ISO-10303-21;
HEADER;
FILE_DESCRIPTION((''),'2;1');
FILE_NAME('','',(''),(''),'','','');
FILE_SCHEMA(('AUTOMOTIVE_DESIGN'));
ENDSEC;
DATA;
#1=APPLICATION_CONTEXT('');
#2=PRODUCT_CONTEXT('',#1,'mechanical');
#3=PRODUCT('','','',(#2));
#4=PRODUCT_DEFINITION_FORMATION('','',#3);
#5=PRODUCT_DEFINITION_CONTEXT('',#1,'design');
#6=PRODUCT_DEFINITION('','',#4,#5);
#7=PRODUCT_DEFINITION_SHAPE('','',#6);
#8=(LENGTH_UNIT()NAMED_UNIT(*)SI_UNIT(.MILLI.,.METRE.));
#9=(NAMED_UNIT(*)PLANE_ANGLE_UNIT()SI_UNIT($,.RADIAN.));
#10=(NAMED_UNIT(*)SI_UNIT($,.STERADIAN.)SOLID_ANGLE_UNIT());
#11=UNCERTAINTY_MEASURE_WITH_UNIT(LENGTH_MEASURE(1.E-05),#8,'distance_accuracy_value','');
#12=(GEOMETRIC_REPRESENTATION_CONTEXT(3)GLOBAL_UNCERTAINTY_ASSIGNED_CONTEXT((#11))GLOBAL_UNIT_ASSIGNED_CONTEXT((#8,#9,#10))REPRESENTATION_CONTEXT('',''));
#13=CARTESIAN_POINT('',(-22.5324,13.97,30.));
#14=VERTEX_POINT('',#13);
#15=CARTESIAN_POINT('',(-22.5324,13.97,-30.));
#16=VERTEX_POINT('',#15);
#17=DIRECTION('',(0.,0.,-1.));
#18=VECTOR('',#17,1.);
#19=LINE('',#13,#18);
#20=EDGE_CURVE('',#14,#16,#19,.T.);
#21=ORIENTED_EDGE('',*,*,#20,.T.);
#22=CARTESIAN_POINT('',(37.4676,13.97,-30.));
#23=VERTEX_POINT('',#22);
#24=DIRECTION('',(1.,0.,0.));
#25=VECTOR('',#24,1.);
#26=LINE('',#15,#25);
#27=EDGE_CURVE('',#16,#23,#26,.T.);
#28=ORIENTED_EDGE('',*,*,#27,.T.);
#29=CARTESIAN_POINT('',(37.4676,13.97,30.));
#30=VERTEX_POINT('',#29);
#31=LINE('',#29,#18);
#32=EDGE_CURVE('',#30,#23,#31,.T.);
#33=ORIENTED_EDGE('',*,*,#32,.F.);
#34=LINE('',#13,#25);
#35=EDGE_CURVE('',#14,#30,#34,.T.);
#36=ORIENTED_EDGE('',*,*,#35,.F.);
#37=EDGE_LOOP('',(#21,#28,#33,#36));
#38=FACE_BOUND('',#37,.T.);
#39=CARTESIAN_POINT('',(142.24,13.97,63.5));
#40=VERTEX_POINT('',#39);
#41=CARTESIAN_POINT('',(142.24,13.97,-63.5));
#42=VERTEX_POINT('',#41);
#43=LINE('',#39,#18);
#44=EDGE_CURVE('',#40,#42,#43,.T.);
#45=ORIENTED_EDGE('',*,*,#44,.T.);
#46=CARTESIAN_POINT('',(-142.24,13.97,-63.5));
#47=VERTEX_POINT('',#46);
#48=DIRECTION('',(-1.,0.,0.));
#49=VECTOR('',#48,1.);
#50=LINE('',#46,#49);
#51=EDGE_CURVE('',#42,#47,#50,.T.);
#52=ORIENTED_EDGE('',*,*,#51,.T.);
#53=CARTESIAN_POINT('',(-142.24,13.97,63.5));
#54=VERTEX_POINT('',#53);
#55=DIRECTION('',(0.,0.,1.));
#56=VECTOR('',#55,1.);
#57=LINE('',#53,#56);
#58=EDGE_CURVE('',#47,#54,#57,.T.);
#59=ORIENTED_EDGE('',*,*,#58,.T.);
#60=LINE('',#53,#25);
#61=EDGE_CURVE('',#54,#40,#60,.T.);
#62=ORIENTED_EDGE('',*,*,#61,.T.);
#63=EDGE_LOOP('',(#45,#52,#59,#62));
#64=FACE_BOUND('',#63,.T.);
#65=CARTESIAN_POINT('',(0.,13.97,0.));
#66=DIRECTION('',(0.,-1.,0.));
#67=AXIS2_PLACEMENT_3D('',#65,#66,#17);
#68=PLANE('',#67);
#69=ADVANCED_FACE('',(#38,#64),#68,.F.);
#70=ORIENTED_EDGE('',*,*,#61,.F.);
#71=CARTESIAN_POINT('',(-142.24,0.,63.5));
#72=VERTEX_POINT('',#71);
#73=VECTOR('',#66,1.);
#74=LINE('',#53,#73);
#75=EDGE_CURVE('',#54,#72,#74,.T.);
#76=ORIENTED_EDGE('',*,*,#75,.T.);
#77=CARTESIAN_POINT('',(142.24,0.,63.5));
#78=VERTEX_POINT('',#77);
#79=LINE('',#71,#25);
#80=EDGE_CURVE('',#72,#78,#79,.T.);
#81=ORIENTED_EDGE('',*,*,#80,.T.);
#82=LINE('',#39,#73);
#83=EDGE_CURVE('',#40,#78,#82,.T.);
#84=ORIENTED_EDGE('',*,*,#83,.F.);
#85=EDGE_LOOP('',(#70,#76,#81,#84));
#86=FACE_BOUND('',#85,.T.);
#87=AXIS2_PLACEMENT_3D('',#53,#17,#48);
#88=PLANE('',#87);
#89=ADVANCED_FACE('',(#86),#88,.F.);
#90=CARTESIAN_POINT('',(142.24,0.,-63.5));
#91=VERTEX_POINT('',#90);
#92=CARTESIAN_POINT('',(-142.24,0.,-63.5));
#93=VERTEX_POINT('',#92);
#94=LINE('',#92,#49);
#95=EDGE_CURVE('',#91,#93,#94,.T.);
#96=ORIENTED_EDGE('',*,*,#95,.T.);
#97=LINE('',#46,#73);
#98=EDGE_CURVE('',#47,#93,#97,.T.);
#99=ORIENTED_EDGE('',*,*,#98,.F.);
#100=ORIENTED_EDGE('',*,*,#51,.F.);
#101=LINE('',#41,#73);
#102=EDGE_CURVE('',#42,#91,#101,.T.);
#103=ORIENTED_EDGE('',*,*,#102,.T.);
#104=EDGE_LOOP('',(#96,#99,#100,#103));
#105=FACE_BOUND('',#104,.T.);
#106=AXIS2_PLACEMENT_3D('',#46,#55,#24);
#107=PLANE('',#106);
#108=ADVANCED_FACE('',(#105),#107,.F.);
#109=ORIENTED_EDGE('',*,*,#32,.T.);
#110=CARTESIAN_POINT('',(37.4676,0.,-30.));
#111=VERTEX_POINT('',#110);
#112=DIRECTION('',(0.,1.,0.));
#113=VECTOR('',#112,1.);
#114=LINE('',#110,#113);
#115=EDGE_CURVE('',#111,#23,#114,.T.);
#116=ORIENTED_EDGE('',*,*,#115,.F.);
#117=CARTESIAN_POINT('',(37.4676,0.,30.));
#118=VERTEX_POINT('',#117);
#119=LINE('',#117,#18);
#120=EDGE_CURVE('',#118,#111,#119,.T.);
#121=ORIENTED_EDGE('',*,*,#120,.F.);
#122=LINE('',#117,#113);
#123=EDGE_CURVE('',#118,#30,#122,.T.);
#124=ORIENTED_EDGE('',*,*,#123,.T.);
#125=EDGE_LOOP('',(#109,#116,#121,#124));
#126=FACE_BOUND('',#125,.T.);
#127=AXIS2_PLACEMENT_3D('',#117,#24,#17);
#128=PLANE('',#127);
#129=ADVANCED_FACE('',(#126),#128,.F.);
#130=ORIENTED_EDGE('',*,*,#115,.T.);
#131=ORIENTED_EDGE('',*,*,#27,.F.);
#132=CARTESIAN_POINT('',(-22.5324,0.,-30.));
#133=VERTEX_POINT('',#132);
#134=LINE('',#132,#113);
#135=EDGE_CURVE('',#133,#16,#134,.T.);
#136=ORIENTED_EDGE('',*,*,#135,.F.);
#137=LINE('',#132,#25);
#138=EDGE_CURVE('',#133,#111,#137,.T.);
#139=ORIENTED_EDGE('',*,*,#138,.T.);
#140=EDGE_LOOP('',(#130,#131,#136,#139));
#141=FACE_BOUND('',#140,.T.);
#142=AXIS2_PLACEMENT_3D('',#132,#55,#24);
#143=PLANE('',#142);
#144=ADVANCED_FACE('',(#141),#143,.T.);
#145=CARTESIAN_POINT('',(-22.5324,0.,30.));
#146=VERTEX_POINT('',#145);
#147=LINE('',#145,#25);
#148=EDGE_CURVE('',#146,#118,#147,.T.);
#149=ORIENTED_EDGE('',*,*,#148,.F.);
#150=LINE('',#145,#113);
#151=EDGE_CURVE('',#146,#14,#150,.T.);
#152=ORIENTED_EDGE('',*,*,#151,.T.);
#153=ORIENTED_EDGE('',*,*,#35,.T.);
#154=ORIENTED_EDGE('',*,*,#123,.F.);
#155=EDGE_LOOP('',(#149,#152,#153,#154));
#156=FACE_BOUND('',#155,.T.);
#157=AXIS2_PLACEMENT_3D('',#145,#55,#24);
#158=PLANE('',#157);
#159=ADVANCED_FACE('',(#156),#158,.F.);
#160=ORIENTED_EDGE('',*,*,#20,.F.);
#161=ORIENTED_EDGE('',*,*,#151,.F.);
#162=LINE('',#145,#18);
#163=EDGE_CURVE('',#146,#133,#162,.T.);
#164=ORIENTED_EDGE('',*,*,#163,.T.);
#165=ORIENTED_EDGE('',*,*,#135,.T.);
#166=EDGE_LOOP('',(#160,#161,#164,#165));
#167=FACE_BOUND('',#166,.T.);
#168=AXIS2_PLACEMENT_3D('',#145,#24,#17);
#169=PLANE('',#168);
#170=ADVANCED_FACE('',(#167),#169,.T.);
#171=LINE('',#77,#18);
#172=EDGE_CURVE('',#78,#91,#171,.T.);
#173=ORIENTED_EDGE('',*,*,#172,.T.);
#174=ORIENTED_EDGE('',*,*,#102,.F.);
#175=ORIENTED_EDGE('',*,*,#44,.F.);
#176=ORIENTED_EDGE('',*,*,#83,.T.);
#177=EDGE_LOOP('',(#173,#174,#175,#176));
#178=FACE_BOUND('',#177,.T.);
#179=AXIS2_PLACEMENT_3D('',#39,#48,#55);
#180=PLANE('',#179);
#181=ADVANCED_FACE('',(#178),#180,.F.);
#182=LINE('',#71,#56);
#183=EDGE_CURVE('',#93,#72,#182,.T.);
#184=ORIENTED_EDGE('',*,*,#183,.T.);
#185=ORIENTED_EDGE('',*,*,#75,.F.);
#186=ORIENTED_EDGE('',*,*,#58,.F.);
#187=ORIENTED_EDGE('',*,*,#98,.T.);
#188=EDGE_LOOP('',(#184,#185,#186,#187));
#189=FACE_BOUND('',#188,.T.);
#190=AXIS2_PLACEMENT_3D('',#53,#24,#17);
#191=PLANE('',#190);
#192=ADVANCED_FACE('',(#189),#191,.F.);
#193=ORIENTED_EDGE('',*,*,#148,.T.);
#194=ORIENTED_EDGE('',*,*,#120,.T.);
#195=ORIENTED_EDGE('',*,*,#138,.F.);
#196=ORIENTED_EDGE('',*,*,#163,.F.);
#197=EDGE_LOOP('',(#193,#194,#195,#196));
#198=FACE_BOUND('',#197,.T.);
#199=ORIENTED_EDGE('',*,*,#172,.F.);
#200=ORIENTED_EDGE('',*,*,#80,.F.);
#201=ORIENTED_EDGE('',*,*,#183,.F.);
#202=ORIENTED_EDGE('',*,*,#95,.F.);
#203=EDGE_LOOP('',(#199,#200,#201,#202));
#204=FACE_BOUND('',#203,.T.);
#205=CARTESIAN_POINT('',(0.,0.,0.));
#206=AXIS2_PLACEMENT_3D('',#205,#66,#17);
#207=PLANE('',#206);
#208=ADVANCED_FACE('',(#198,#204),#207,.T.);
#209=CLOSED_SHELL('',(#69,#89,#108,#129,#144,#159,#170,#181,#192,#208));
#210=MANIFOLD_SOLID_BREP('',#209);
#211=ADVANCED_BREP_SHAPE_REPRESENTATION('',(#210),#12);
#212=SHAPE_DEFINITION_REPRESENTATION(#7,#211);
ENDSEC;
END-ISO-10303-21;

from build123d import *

# Parameters (mm, degrees)
SKETCH1_W           = 284.48
SKETCH1_H           = 127
BOSS_EXTRUDE1_DEPTH = 13.97
SKETCH2_W           = 60
SKETCH2_H           = 60
CUT_EXTRUDE1_DEPTH  = 157.395743229


with BuildPart() as part:
    # Sketch1 → Boss-Extrude1 (new body)
    with BuildSketch(Plane(origin=(0, 0, 0), x_dir=(1, 0, 0), z_dir=(0, 1, 0))):
        Rectangle(SKETCH1_W, SKETCH1_H)
    extrude(amount=BOSS_EXTRUDE1_DEPTH)

    # Sketch2 → Cut-Extrude1 (cut, through all)
    with BuildSketch(Plane(origin=(0, 13.97, 0), x_dir=(1, 0, 0), z_dir=(0, 1, 0))):
        with Locations((7.4676, 0)):
            Rectangle(SKETCH2_W, SKETCH2_H)
    extrude(amount=-CUT_EXTRUDE1_DEPTH, mode=Mode.SUBTRACT)


solid = part.part
